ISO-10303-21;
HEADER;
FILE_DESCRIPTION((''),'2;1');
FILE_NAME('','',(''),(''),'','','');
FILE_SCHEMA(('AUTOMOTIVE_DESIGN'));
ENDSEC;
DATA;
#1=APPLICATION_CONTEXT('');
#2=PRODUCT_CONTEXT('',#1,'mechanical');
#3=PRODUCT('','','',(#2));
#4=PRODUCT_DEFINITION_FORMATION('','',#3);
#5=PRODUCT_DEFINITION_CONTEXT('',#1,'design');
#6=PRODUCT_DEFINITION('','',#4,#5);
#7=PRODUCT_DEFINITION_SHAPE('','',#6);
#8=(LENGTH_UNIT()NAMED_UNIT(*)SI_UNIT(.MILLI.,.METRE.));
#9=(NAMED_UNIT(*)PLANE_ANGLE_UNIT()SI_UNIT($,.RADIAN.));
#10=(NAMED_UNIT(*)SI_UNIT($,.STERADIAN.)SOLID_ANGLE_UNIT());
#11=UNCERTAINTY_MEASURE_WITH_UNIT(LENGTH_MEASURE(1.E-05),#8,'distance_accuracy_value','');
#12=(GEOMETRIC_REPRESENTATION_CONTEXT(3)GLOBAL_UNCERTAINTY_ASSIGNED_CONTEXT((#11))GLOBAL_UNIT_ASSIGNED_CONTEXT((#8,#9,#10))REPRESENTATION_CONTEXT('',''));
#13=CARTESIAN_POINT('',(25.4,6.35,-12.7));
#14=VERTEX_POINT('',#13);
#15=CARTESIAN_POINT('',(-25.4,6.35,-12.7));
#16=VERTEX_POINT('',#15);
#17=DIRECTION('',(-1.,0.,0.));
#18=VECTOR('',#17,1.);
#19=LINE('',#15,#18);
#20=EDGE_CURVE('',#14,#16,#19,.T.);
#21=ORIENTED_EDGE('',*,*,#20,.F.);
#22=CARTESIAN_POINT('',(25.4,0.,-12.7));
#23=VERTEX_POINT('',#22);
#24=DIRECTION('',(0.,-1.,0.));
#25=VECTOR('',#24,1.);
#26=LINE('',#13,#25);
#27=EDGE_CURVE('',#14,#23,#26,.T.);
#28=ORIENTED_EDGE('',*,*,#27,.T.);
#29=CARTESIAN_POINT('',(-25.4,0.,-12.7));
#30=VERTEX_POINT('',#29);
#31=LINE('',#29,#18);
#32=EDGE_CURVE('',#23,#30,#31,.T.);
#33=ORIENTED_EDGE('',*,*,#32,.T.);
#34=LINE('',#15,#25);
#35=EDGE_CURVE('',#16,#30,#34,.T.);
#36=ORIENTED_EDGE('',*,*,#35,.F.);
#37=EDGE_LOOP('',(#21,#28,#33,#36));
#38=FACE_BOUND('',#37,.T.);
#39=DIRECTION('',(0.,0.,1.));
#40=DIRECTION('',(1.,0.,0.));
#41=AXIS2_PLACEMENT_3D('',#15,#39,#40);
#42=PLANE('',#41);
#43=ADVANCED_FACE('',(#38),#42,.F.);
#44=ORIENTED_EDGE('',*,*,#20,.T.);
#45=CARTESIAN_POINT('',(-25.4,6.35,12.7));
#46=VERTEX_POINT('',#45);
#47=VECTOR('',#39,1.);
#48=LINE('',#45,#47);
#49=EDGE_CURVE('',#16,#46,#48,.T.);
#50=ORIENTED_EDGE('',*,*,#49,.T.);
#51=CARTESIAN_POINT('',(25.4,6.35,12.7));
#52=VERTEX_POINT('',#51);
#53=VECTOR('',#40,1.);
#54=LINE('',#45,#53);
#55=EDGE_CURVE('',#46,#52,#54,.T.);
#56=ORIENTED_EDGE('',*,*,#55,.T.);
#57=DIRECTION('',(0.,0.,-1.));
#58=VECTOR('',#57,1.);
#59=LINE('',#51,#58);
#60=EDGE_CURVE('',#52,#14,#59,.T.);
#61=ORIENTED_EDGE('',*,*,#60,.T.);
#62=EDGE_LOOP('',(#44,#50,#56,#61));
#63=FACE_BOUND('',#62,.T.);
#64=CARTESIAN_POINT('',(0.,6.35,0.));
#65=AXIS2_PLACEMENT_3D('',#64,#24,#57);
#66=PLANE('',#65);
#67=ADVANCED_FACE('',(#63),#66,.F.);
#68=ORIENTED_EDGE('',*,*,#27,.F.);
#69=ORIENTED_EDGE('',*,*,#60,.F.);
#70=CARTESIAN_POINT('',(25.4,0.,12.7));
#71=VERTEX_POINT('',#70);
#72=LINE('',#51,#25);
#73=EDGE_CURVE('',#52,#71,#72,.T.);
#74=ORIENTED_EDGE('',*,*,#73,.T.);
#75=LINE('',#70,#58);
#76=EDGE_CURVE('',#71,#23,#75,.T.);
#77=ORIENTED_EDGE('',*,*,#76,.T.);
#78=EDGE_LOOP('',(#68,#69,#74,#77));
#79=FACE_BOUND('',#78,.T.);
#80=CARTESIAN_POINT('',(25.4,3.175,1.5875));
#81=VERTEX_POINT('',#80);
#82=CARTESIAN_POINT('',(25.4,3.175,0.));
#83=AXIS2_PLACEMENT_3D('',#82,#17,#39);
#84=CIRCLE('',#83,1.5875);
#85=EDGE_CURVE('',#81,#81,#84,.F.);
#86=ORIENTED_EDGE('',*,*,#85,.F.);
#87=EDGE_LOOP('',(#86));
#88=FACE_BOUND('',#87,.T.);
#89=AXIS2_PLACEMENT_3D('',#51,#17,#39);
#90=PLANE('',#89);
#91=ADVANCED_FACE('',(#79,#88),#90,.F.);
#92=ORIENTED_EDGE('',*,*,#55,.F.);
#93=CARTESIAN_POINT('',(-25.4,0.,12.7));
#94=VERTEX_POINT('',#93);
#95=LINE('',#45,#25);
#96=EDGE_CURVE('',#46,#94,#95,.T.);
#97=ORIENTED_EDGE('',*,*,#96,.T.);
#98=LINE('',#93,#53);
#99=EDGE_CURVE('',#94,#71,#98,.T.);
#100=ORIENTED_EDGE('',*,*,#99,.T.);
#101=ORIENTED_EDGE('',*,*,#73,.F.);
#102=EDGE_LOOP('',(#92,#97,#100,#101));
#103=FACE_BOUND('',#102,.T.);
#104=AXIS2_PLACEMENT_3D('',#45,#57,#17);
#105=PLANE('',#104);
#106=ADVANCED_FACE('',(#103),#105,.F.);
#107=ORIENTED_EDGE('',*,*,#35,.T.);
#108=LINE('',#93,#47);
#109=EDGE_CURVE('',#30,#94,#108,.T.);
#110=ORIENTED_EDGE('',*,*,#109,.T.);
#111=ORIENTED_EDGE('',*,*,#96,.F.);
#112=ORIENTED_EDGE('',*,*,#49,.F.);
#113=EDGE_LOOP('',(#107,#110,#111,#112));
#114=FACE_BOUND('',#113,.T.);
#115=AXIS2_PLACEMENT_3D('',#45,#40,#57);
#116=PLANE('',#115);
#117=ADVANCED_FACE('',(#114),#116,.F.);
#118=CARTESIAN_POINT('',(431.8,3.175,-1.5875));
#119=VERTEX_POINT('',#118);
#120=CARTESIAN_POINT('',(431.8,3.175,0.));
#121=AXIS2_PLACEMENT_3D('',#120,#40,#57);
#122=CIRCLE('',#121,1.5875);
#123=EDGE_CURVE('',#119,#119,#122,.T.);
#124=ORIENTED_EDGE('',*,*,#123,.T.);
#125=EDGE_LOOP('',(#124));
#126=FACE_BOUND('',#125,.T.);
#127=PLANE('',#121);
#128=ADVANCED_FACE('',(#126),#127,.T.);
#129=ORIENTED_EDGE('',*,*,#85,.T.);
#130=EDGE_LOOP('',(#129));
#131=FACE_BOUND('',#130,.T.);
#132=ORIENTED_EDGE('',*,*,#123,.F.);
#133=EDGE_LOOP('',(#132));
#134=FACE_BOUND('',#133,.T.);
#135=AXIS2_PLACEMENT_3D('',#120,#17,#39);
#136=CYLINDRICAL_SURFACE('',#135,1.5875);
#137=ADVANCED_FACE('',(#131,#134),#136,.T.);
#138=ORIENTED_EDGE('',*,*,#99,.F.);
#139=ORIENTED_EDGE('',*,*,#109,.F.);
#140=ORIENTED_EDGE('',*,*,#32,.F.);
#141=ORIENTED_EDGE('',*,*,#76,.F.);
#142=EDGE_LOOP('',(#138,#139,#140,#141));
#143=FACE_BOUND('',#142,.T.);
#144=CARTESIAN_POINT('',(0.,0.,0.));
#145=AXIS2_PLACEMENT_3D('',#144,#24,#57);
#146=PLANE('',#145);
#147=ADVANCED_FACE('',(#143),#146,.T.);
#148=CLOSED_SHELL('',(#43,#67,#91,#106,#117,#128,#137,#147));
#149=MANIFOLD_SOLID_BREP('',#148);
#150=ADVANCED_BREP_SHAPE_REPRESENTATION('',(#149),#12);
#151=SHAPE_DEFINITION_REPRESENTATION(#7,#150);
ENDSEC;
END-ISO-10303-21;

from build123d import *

# Parameters (mm, degrees)
SKETCH1_W           = 50.8
SKETCH1_H           = 25.4
BOSS_EXTRUDE1_DEPTH = 6.35
SKETCH2_R           = 1.5875
BOSS_EXTRUDE2_DEPTH = 406.4


with BuildPart() as part:
    # Sketch1 → Boss-Extrude1 (new body)
    with BuildSketch(Plane(origin=(0, 0, 0), x_dir=(1, 0, 0), z_dir=(0, 1, 0))):
        Rectangle(SKETCH1_W, SKETCH1_H)
    extrude(amount=BOSS_EXTRUDE1_DEPTH)

    # Sketch2 → Boss-Extrude2 (add)
    with BuildSketch(Plane(origin=(25.4, 0, 0), x_dir=(0, 0, -1), z_dir=(1, 0, 0))):
        with Locations((0, 3.175)):
            Circle(SKETCH2_R)
    extrude(amount=BOSS_EXTRUDE2_DEPTH)


solid = part.part
